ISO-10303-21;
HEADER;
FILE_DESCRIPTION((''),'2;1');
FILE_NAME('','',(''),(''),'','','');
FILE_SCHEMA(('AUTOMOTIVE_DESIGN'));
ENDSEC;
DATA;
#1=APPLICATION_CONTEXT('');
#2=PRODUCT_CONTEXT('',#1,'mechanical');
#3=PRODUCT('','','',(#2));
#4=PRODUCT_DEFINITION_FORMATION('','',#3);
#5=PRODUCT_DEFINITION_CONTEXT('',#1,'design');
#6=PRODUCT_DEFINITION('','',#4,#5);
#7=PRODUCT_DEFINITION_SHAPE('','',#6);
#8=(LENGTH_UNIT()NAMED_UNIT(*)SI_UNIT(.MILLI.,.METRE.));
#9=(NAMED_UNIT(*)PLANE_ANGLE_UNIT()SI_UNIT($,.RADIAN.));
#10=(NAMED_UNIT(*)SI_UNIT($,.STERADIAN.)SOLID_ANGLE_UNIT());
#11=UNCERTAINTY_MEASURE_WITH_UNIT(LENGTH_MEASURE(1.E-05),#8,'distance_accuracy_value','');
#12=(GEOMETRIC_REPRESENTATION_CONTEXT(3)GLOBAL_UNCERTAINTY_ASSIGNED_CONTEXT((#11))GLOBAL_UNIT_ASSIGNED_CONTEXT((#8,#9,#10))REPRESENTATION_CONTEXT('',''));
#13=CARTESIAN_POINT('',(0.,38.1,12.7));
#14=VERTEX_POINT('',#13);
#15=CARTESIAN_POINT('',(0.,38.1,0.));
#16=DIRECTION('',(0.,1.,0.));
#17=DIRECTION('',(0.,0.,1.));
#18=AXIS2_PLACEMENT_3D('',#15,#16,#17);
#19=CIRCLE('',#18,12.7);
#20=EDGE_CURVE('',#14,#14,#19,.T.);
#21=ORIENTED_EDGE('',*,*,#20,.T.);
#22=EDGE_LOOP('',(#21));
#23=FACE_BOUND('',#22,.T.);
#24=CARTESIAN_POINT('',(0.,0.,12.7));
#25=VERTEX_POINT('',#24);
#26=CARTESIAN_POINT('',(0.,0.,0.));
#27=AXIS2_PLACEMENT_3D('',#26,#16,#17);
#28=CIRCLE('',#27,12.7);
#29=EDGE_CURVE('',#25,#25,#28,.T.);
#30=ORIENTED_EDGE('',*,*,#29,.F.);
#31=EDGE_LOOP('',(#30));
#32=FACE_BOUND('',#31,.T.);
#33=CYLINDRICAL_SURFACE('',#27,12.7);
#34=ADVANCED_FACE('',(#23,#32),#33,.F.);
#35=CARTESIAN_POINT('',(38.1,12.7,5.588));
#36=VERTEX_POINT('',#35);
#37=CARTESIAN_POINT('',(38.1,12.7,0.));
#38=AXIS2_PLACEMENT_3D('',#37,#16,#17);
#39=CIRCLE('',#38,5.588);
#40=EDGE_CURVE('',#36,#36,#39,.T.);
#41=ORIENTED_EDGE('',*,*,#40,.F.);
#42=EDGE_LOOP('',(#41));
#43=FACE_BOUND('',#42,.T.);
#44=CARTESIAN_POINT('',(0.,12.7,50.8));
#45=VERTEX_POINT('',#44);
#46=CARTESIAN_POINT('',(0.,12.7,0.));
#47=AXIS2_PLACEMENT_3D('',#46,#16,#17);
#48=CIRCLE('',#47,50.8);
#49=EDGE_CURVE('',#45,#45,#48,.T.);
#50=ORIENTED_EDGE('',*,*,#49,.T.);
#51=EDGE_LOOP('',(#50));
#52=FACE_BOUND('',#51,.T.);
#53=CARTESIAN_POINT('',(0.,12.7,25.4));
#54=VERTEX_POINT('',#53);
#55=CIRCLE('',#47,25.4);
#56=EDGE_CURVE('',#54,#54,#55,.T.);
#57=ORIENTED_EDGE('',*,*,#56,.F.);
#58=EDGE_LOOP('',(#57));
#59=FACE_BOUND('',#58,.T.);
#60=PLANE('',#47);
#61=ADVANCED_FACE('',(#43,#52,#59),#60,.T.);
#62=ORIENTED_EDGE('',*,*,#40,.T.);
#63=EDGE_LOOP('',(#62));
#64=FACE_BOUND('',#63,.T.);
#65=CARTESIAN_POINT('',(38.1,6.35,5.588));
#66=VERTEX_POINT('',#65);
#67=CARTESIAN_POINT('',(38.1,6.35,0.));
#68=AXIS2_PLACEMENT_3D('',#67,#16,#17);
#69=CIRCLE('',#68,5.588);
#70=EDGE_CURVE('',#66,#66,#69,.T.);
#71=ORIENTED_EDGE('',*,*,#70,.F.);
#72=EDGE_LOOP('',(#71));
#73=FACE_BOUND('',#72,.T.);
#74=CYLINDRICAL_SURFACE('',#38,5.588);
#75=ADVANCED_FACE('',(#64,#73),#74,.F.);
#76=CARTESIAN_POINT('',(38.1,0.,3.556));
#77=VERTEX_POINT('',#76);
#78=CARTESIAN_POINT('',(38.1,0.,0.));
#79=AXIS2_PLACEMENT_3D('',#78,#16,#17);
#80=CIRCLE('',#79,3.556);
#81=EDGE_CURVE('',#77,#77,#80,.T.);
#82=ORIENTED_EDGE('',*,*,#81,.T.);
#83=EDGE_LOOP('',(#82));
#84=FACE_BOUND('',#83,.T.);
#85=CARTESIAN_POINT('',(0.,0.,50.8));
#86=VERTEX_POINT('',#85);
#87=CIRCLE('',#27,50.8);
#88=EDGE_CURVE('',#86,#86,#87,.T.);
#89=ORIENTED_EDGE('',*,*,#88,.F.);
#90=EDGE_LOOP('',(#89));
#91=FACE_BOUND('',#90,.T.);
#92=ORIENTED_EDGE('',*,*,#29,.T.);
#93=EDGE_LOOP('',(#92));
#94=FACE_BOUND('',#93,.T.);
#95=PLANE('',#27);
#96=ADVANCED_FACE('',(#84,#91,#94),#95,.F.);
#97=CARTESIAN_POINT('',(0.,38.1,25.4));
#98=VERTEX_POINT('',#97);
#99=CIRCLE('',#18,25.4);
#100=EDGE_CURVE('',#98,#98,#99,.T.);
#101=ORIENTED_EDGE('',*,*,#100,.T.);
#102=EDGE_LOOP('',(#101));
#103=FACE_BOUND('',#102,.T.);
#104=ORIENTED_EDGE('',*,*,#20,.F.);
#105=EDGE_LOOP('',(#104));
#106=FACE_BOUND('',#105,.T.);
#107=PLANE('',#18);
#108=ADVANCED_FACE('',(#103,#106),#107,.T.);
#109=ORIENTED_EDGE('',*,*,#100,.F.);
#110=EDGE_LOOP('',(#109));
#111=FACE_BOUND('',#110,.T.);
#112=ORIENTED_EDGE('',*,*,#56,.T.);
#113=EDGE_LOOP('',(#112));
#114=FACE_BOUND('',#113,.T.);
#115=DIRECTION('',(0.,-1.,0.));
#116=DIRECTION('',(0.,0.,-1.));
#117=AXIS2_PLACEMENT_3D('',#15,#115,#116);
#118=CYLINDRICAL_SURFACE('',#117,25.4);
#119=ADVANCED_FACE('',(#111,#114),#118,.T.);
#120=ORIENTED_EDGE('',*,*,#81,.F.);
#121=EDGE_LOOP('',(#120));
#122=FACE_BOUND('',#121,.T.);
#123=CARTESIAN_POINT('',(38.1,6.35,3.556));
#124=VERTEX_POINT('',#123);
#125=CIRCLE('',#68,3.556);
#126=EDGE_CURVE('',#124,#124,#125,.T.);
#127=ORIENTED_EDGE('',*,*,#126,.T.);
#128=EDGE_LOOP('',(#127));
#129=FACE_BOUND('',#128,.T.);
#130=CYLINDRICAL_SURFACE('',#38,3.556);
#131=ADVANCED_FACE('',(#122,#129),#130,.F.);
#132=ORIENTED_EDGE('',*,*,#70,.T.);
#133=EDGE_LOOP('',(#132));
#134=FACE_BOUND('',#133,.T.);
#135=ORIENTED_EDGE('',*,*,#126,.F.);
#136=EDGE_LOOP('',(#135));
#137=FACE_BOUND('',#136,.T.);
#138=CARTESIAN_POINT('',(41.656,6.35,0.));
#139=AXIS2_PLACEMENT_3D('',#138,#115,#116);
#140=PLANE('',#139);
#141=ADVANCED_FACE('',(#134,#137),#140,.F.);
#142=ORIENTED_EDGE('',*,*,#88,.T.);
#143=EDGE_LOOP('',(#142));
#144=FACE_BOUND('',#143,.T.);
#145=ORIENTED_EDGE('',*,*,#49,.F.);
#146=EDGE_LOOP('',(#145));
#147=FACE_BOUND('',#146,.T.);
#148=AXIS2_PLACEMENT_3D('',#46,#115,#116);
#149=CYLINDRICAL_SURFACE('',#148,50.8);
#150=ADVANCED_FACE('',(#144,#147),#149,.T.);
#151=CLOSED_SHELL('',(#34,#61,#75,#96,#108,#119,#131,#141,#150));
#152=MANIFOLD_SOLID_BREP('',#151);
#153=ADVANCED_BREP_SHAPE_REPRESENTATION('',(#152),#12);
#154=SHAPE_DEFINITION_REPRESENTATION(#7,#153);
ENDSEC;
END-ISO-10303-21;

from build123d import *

# Parameters (mm, degrees)
SKETCH2_R                                        = 50.8
FLANGE_DEPTH                                     = 12.7
SKETCH3_R                                        = 25.4
HUB_DEPTH                                        = 25.4
SKETCH4_R                                        = 12.7
BORE_DEPTH                                       = 82.319677815
CBORE_FOR_1_4_SOCKET_HEAD_CAP_SCREW2_D           = 7.112
CBORE_FOR_1_4_SOCKET_HEAD_CAP_SCREW2_CBORE_D     = 11.176
CBORE_FOR_1_4_SOCKET_HEAD_CAP_SCREW2_CBORE_DEPTH = 6.35


with BuildPart() as part:
    # Sketch2 → Flange (new body)
    with BuildSketch(Plane(origin=(0, 0, 0), x_dir=(1, 0, 0), z_dir=(0, 1, 0))):
        with Locations(Location((0, 0, 0), (0, 0, 270))):
            Circle(SKETCH2_R)
    extrude(amount=FLANGE_DEPTH)

    # Sketch3 → Hub (add)
    with BuildSketch(Plane(origin=(0, 12.7, 0), x_dir=(1, 0, 0), z_dir=(0, 1, 0))):
        with Locations(Location((0, 0, 0), (0, 0, 270))):
            Circle(SKETCH3_R)
    extrude(amount=HUB_DEPTH)

    # Sketch4 → Bore (cut, through all)
    with BuildSketch(Plane(origin=(0, 38.1, 0), x_dir=(1, 0, 0), z_dir=(0, 1, 0))):
        with Locations(Location((0, 0, 0), (0, 0, 270))):
            Circle(SKETCH4_R)
    extrude(amount=-BORE_DEPTH, mode=Mode.SUBTRACT)

    # CBORE for 1/4 Socket Head Cap Screw2 (through all)
    with Locations(Plane(origin=(0, 12.7, 0), x_dir=(1, 0, 0), z_dir=(0, 1, 0))):
        with Locations((38.1, 0)):
            CounterBoreHole(CBORE_FOR_1_4_SOCKET_HEAD_CAP_SCREW2_D / 2, CBORE_FOR_1_4_SOCKET_HEAD_CAP_SCREW2_CBORE_D / 2, CBORE_FOR_1_4_SOCKET_HEAD_CAP_SCREW2_CBORE_DEPTH)


solid = part.part
